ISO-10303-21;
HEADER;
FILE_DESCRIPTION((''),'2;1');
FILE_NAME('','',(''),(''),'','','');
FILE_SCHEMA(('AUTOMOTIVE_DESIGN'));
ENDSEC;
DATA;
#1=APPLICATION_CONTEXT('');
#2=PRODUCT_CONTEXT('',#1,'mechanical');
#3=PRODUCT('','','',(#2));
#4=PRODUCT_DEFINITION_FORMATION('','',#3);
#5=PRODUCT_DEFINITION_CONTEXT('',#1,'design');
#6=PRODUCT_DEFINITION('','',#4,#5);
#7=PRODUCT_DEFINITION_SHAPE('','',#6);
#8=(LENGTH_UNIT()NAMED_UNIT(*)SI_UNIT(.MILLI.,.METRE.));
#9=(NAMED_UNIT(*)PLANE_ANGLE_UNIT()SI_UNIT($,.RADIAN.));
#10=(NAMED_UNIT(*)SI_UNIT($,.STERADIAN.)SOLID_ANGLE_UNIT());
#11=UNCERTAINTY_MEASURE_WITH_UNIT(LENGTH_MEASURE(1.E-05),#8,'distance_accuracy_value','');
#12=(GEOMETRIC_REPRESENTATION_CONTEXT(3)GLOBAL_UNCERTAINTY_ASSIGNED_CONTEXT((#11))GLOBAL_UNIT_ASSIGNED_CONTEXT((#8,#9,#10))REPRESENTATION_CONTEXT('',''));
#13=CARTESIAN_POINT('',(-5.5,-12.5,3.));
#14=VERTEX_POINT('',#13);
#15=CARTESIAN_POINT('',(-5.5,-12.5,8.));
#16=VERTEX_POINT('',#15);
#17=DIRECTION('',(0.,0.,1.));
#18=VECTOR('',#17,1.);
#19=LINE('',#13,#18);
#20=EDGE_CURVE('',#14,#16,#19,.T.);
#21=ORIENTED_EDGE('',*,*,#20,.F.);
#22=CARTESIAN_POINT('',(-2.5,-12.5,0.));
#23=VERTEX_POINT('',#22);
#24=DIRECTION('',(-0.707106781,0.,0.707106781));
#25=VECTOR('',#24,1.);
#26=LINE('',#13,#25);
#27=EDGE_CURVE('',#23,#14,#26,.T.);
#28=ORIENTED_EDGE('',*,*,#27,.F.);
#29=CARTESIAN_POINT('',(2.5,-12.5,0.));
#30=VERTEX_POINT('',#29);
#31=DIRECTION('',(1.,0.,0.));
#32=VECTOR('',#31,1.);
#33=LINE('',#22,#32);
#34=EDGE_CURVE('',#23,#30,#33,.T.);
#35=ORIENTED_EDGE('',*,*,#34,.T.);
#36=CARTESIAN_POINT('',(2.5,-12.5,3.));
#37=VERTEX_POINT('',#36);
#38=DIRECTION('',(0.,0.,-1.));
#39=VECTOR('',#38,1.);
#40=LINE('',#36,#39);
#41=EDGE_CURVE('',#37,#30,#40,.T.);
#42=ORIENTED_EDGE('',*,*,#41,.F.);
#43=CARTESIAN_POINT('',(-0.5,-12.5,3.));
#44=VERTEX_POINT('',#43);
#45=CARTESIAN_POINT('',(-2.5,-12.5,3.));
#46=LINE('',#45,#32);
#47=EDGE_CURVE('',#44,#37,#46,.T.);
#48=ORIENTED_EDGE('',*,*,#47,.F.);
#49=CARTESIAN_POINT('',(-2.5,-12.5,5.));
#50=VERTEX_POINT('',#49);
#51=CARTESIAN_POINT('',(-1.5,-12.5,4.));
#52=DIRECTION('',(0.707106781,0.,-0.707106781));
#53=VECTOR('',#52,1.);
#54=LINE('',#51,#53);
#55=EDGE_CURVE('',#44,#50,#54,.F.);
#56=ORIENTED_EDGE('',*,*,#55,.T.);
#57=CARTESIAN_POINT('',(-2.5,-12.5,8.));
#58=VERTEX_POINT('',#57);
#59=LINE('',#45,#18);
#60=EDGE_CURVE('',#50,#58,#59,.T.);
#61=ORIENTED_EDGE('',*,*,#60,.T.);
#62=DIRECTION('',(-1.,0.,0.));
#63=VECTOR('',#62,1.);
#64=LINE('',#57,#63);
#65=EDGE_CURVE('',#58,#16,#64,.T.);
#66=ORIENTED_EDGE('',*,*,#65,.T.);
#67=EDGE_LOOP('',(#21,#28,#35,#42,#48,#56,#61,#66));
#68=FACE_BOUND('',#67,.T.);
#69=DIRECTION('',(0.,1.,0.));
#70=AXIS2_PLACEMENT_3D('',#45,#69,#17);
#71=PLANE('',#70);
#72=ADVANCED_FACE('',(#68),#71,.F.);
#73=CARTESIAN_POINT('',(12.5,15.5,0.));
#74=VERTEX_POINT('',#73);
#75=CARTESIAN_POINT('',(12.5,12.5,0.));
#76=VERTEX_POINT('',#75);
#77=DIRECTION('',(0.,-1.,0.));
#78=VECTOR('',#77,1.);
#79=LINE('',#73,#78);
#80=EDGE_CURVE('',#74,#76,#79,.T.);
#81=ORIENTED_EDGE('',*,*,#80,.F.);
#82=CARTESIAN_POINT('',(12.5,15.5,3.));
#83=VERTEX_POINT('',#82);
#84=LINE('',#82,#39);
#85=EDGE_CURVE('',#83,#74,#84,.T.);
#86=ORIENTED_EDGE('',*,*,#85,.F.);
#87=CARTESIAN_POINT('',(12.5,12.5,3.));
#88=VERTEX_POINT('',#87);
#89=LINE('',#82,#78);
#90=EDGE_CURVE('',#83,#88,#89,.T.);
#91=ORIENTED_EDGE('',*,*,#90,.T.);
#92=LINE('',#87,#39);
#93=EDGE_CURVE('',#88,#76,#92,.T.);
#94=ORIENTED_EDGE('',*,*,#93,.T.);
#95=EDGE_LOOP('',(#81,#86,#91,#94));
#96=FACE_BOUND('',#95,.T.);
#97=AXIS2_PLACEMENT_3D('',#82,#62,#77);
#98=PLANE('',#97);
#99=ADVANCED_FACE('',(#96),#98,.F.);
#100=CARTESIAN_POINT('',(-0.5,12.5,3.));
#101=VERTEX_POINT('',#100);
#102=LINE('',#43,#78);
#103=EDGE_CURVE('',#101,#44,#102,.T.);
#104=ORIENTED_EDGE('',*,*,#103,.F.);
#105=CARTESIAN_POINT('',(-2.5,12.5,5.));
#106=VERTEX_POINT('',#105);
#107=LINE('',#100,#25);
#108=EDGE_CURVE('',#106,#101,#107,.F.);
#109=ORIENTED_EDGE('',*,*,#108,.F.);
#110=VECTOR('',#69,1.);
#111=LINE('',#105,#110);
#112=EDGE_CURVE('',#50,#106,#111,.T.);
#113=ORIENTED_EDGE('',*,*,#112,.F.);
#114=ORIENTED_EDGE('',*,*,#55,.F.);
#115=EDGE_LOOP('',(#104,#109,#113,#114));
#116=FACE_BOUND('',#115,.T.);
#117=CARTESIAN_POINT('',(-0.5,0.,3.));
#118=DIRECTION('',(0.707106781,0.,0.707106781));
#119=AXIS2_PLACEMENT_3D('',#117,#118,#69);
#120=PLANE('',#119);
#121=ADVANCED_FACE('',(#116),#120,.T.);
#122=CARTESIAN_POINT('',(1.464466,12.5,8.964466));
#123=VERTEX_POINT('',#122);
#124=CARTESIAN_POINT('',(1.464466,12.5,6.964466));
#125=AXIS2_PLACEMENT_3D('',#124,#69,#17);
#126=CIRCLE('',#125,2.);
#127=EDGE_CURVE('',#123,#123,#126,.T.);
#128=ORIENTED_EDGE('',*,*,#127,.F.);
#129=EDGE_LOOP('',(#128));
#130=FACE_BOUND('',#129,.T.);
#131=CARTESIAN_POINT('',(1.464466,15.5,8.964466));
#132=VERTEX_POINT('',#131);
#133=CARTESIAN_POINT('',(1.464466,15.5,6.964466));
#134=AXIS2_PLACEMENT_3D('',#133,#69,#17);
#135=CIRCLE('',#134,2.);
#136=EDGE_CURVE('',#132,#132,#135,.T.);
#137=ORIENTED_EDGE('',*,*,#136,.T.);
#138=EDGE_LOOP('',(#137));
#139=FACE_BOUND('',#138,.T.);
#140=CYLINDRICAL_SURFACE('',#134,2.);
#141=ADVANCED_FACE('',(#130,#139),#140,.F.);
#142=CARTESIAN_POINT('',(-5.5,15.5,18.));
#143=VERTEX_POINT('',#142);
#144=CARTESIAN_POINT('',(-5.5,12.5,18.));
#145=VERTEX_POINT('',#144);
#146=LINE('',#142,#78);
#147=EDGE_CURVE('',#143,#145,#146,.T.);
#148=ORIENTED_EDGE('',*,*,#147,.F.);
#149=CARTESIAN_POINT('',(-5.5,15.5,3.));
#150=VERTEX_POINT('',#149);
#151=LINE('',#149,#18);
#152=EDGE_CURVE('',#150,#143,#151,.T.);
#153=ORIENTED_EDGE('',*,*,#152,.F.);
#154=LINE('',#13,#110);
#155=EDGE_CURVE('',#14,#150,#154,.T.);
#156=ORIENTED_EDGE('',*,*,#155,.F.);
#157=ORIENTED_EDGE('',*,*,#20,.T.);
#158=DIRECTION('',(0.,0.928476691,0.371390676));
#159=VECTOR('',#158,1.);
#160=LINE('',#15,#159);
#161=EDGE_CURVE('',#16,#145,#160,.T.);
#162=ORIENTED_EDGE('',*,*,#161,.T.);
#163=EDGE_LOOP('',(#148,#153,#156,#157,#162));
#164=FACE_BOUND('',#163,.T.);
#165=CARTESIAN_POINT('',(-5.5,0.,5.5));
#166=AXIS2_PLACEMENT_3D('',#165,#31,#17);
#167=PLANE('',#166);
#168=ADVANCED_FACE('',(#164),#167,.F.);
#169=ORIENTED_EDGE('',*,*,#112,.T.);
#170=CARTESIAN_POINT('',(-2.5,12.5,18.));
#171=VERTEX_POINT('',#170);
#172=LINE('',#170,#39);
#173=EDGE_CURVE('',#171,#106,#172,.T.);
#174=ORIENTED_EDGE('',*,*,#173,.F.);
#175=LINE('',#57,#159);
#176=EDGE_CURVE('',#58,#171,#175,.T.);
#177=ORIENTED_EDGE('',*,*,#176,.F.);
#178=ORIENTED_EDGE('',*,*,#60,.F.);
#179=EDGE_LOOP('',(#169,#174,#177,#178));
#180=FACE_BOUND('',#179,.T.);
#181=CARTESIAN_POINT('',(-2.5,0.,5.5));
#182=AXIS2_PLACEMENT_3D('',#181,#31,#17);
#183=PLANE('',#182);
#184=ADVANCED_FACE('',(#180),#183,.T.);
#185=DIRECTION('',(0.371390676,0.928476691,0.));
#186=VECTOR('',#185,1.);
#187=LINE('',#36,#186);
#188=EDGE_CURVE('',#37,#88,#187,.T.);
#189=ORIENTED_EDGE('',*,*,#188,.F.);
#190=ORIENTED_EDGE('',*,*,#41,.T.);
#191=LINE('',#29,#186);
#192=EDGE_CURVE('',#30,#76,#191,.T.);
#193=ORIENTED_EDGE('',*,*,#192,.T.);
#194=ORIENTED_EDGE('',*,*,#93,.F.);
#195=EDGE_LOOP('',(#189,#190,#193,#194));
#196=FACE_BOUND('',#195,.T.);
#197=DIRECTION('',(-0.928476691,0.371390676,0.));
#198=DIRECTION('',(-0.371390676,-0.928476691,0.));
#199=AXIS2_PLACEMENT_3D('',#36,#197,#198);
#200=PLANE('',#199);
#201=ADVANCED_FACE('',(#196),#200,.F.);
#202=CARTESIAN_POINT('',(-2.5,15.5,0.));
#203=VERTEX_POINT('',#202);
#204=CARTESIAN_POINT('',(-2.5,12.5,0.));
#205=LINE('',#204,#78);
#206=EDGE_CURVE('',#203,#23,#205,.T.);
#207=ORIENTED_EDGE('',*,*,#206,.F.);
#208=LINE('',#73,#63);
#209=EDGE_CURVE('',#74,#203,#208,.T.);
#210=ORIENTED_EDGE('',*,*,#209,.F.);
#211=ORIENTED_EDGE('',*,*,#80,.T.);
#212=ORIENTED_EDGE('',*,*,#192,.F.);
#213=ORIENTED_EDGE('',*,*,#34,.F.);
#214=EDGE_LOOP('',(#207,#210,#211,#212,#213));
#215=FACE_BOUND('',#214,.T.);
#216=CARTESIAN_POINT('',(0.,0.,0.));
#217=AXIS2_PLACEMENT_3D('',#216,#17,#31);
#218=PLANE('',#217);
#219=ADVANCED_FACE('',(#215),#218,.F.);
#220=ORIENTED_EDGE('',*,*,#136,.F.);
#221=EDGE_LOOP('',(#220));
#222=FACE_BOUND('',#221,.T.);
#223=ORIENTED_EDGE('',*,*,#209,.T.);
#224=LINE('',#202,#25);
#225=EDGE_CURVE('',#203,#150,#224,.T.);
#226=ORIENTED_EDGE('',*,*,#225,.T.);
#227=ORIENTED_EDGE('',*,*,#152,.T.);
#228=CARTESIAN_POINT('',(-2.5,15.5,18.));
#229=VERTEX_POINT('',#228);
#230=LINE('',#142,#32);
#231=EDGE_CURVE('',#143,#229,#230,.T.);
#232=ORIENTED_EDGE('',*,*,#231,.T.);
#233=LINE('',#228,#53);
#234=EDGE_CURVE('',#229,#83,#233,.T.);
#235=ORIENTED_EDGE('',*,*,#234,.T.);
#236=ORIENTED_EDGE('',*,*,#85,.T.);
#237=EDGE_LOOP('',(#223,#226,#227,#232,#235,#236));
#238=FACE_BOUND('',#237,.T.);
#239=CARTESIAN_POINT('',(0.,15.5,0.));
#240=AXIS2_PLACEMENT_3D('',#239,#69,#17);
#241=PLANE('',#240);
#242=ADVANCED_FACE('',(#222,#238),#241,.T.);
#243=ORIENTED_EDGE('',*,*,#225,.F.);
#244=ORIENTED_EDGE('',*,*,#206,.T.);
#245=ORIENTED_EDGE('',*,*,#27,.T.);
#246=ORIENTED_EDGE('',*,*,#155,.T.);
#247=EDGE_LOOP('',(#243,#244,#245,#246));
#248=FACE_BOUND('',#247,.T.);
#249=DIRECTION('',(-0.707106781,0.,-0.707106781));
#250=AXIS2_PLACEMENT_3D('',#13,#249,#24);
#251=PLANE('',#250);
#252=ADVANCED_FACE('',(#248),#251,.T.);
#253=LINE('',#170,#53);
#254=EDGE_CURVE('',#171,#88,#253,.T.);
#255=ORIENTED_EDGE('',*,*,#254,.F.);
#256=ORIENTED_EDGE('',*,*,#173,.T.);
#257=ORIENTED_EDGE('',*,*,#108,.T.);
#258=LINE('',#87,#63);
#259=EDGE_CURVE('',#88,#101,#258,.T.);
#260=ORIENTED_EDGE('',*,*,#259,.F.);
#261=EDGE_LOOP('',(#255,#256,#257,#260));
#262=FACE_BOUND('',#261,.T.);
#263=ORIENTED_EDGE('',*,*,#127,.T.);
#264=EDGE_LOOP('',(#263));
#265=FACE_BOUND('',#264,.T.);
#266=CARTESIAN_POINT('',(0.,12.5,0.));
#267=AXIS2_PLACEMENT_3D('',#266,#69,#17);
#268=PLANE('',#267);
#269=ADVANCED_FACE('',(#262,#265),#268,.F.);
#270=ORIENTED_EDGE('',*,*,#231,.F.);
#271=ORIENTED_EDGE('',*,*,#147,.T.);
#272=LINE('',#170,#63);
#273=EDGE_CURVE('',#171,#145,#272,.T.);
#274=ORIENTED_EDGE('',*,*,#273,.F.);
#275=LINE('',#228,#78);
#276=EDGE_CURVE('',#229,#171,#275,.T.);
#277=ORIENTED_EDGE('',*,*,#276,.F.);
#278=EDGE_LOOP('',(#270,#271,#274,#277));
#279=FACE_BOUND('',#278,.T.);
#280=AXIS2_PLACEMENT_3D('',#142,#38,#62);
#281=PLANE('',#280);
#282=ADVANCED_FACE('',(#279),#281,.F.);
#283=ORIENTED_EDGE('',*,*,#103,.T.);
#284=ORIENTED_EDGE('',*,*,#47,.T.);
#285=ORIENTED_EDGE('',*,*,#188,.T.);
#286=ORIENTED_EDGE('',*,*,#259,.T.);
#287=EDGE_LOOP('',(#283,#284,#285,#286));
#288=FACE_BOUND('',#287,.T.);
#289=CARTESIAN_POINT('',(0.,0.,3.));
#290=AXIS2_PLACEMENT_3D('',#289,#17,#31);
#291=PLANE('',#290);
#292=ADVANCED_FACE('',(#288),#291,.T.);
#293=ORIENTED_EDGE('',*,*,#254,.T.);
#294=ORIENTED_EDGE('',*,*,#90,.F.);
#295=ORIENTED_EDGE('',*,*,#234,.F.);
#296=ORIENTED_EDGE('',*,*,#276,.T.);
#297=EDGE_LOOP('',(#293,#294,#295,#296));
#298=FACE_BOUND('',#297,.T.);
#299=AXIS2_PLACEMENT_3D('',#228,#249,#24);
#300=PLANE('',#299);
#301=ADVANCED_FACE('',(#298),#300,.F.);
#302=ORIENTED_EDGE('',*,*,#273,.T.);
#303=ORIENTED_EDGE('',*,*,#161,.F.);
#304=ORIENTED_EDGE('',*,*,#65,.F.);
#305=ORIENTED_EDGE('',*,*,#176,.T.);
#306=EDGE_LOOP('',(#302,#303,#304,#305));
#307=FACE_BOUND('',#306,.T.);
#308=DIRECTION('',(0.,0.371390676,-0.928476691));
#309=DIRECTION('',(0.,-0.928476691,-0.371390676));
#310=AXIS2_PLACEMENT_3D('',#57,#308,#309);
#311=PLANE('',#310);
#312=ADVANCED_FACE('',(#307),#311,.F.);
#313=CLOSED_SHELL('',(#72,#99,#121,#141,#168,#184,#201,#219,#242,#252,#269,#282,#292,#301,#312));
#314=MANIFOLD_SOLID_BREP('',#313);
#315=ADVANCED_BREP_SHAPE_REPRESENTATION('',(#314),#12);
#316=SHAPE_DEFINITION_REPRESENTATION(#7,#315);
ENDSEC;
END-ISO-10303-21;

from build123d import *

# Parameters (mm, degrees)
BOSS_EXTRUDE1_DEPTH      = 3
BOSS_EXTRUDE2_DEPTH      = 25
BOSS_EXTRUDE3_DEPTH      = 3
F_4_0_4_DIAMETER_HOLE1_D = 4
CHAMFER2_SIZE            = 2


with BuildPart() as part:
    # Sketch1 → Boss-Extrude1 (new body)
    with BuildSketch(Plane.XY):
        Polygon((-2.5, 12.5), (-2.5, -12.5), (2.5, -12.5), (12.5, 12.5), align=None)
    extrude(amount=BOSS_EXTRUDE1_DEPTH)


with BuildPart() as body_2:
    # Mirror3: mirrored copy
    add(part.part.mirror(Plane(origin=(-2.75, 0, 2.75), x_dir=(0.7071067811865465, 0, 0.7071067811865486), z_dir=(-0.7071067811865488, 0, 0.7071067811865464))))


with BuildPart() as part_1:
    add(part.part)

    add(body_2.part)  # Boss-Extrude2 merges body 2
    # Sketch3 → Boss-Extrude2 (add, through all)
    with BuildSketch(Plane(origin=(0, 12.5, 0), x_dir=(1, 0, 0), z_dir=(0, 1, 0))):
        Polygon((-5.5, -3), (-2.5, 0), (-2.5, -3), align=None)
    extrude(amount=-BOSS_EXTRUDE2_DEPTH)

    # Sketch5 → Boss-Extrude3 (add)
    with BuildSketch(Plane(origin=(0, 12.5, 0), x_dir=(1, 0, 0), z_dir=(0, 1, 0))):
        Polygon((-2.5, -18), (12.5, -3), (12.5, 0), (-2.5, 0), (-5.5, -3), (-5.5, -18), align=None)
    extrude(amount=BOSS_EXTRUDE3_DEPTH)

    # Ø4.0 (4) Diameter Hole1 (through all)
    with Locations(Plane(origin=(0, 15.5, 0), x_dir=(1, 0, 0), z_dir=(0, 1, 0))):
        with Locations((1.464466094, -6.964466094)):
            Hole(F_4_0_4_DIAMETER_HOLE1_D / 2)

    # Chamfer2
    chamfer2_edges = [part_1.edges().sort_by_distance(p)[0] for p in [
        (-2.5, 0, 3),
    ]]
    chamfer(chamfer2_edges, length=CHAMFER2_SIZE)


solid = part_1.part
